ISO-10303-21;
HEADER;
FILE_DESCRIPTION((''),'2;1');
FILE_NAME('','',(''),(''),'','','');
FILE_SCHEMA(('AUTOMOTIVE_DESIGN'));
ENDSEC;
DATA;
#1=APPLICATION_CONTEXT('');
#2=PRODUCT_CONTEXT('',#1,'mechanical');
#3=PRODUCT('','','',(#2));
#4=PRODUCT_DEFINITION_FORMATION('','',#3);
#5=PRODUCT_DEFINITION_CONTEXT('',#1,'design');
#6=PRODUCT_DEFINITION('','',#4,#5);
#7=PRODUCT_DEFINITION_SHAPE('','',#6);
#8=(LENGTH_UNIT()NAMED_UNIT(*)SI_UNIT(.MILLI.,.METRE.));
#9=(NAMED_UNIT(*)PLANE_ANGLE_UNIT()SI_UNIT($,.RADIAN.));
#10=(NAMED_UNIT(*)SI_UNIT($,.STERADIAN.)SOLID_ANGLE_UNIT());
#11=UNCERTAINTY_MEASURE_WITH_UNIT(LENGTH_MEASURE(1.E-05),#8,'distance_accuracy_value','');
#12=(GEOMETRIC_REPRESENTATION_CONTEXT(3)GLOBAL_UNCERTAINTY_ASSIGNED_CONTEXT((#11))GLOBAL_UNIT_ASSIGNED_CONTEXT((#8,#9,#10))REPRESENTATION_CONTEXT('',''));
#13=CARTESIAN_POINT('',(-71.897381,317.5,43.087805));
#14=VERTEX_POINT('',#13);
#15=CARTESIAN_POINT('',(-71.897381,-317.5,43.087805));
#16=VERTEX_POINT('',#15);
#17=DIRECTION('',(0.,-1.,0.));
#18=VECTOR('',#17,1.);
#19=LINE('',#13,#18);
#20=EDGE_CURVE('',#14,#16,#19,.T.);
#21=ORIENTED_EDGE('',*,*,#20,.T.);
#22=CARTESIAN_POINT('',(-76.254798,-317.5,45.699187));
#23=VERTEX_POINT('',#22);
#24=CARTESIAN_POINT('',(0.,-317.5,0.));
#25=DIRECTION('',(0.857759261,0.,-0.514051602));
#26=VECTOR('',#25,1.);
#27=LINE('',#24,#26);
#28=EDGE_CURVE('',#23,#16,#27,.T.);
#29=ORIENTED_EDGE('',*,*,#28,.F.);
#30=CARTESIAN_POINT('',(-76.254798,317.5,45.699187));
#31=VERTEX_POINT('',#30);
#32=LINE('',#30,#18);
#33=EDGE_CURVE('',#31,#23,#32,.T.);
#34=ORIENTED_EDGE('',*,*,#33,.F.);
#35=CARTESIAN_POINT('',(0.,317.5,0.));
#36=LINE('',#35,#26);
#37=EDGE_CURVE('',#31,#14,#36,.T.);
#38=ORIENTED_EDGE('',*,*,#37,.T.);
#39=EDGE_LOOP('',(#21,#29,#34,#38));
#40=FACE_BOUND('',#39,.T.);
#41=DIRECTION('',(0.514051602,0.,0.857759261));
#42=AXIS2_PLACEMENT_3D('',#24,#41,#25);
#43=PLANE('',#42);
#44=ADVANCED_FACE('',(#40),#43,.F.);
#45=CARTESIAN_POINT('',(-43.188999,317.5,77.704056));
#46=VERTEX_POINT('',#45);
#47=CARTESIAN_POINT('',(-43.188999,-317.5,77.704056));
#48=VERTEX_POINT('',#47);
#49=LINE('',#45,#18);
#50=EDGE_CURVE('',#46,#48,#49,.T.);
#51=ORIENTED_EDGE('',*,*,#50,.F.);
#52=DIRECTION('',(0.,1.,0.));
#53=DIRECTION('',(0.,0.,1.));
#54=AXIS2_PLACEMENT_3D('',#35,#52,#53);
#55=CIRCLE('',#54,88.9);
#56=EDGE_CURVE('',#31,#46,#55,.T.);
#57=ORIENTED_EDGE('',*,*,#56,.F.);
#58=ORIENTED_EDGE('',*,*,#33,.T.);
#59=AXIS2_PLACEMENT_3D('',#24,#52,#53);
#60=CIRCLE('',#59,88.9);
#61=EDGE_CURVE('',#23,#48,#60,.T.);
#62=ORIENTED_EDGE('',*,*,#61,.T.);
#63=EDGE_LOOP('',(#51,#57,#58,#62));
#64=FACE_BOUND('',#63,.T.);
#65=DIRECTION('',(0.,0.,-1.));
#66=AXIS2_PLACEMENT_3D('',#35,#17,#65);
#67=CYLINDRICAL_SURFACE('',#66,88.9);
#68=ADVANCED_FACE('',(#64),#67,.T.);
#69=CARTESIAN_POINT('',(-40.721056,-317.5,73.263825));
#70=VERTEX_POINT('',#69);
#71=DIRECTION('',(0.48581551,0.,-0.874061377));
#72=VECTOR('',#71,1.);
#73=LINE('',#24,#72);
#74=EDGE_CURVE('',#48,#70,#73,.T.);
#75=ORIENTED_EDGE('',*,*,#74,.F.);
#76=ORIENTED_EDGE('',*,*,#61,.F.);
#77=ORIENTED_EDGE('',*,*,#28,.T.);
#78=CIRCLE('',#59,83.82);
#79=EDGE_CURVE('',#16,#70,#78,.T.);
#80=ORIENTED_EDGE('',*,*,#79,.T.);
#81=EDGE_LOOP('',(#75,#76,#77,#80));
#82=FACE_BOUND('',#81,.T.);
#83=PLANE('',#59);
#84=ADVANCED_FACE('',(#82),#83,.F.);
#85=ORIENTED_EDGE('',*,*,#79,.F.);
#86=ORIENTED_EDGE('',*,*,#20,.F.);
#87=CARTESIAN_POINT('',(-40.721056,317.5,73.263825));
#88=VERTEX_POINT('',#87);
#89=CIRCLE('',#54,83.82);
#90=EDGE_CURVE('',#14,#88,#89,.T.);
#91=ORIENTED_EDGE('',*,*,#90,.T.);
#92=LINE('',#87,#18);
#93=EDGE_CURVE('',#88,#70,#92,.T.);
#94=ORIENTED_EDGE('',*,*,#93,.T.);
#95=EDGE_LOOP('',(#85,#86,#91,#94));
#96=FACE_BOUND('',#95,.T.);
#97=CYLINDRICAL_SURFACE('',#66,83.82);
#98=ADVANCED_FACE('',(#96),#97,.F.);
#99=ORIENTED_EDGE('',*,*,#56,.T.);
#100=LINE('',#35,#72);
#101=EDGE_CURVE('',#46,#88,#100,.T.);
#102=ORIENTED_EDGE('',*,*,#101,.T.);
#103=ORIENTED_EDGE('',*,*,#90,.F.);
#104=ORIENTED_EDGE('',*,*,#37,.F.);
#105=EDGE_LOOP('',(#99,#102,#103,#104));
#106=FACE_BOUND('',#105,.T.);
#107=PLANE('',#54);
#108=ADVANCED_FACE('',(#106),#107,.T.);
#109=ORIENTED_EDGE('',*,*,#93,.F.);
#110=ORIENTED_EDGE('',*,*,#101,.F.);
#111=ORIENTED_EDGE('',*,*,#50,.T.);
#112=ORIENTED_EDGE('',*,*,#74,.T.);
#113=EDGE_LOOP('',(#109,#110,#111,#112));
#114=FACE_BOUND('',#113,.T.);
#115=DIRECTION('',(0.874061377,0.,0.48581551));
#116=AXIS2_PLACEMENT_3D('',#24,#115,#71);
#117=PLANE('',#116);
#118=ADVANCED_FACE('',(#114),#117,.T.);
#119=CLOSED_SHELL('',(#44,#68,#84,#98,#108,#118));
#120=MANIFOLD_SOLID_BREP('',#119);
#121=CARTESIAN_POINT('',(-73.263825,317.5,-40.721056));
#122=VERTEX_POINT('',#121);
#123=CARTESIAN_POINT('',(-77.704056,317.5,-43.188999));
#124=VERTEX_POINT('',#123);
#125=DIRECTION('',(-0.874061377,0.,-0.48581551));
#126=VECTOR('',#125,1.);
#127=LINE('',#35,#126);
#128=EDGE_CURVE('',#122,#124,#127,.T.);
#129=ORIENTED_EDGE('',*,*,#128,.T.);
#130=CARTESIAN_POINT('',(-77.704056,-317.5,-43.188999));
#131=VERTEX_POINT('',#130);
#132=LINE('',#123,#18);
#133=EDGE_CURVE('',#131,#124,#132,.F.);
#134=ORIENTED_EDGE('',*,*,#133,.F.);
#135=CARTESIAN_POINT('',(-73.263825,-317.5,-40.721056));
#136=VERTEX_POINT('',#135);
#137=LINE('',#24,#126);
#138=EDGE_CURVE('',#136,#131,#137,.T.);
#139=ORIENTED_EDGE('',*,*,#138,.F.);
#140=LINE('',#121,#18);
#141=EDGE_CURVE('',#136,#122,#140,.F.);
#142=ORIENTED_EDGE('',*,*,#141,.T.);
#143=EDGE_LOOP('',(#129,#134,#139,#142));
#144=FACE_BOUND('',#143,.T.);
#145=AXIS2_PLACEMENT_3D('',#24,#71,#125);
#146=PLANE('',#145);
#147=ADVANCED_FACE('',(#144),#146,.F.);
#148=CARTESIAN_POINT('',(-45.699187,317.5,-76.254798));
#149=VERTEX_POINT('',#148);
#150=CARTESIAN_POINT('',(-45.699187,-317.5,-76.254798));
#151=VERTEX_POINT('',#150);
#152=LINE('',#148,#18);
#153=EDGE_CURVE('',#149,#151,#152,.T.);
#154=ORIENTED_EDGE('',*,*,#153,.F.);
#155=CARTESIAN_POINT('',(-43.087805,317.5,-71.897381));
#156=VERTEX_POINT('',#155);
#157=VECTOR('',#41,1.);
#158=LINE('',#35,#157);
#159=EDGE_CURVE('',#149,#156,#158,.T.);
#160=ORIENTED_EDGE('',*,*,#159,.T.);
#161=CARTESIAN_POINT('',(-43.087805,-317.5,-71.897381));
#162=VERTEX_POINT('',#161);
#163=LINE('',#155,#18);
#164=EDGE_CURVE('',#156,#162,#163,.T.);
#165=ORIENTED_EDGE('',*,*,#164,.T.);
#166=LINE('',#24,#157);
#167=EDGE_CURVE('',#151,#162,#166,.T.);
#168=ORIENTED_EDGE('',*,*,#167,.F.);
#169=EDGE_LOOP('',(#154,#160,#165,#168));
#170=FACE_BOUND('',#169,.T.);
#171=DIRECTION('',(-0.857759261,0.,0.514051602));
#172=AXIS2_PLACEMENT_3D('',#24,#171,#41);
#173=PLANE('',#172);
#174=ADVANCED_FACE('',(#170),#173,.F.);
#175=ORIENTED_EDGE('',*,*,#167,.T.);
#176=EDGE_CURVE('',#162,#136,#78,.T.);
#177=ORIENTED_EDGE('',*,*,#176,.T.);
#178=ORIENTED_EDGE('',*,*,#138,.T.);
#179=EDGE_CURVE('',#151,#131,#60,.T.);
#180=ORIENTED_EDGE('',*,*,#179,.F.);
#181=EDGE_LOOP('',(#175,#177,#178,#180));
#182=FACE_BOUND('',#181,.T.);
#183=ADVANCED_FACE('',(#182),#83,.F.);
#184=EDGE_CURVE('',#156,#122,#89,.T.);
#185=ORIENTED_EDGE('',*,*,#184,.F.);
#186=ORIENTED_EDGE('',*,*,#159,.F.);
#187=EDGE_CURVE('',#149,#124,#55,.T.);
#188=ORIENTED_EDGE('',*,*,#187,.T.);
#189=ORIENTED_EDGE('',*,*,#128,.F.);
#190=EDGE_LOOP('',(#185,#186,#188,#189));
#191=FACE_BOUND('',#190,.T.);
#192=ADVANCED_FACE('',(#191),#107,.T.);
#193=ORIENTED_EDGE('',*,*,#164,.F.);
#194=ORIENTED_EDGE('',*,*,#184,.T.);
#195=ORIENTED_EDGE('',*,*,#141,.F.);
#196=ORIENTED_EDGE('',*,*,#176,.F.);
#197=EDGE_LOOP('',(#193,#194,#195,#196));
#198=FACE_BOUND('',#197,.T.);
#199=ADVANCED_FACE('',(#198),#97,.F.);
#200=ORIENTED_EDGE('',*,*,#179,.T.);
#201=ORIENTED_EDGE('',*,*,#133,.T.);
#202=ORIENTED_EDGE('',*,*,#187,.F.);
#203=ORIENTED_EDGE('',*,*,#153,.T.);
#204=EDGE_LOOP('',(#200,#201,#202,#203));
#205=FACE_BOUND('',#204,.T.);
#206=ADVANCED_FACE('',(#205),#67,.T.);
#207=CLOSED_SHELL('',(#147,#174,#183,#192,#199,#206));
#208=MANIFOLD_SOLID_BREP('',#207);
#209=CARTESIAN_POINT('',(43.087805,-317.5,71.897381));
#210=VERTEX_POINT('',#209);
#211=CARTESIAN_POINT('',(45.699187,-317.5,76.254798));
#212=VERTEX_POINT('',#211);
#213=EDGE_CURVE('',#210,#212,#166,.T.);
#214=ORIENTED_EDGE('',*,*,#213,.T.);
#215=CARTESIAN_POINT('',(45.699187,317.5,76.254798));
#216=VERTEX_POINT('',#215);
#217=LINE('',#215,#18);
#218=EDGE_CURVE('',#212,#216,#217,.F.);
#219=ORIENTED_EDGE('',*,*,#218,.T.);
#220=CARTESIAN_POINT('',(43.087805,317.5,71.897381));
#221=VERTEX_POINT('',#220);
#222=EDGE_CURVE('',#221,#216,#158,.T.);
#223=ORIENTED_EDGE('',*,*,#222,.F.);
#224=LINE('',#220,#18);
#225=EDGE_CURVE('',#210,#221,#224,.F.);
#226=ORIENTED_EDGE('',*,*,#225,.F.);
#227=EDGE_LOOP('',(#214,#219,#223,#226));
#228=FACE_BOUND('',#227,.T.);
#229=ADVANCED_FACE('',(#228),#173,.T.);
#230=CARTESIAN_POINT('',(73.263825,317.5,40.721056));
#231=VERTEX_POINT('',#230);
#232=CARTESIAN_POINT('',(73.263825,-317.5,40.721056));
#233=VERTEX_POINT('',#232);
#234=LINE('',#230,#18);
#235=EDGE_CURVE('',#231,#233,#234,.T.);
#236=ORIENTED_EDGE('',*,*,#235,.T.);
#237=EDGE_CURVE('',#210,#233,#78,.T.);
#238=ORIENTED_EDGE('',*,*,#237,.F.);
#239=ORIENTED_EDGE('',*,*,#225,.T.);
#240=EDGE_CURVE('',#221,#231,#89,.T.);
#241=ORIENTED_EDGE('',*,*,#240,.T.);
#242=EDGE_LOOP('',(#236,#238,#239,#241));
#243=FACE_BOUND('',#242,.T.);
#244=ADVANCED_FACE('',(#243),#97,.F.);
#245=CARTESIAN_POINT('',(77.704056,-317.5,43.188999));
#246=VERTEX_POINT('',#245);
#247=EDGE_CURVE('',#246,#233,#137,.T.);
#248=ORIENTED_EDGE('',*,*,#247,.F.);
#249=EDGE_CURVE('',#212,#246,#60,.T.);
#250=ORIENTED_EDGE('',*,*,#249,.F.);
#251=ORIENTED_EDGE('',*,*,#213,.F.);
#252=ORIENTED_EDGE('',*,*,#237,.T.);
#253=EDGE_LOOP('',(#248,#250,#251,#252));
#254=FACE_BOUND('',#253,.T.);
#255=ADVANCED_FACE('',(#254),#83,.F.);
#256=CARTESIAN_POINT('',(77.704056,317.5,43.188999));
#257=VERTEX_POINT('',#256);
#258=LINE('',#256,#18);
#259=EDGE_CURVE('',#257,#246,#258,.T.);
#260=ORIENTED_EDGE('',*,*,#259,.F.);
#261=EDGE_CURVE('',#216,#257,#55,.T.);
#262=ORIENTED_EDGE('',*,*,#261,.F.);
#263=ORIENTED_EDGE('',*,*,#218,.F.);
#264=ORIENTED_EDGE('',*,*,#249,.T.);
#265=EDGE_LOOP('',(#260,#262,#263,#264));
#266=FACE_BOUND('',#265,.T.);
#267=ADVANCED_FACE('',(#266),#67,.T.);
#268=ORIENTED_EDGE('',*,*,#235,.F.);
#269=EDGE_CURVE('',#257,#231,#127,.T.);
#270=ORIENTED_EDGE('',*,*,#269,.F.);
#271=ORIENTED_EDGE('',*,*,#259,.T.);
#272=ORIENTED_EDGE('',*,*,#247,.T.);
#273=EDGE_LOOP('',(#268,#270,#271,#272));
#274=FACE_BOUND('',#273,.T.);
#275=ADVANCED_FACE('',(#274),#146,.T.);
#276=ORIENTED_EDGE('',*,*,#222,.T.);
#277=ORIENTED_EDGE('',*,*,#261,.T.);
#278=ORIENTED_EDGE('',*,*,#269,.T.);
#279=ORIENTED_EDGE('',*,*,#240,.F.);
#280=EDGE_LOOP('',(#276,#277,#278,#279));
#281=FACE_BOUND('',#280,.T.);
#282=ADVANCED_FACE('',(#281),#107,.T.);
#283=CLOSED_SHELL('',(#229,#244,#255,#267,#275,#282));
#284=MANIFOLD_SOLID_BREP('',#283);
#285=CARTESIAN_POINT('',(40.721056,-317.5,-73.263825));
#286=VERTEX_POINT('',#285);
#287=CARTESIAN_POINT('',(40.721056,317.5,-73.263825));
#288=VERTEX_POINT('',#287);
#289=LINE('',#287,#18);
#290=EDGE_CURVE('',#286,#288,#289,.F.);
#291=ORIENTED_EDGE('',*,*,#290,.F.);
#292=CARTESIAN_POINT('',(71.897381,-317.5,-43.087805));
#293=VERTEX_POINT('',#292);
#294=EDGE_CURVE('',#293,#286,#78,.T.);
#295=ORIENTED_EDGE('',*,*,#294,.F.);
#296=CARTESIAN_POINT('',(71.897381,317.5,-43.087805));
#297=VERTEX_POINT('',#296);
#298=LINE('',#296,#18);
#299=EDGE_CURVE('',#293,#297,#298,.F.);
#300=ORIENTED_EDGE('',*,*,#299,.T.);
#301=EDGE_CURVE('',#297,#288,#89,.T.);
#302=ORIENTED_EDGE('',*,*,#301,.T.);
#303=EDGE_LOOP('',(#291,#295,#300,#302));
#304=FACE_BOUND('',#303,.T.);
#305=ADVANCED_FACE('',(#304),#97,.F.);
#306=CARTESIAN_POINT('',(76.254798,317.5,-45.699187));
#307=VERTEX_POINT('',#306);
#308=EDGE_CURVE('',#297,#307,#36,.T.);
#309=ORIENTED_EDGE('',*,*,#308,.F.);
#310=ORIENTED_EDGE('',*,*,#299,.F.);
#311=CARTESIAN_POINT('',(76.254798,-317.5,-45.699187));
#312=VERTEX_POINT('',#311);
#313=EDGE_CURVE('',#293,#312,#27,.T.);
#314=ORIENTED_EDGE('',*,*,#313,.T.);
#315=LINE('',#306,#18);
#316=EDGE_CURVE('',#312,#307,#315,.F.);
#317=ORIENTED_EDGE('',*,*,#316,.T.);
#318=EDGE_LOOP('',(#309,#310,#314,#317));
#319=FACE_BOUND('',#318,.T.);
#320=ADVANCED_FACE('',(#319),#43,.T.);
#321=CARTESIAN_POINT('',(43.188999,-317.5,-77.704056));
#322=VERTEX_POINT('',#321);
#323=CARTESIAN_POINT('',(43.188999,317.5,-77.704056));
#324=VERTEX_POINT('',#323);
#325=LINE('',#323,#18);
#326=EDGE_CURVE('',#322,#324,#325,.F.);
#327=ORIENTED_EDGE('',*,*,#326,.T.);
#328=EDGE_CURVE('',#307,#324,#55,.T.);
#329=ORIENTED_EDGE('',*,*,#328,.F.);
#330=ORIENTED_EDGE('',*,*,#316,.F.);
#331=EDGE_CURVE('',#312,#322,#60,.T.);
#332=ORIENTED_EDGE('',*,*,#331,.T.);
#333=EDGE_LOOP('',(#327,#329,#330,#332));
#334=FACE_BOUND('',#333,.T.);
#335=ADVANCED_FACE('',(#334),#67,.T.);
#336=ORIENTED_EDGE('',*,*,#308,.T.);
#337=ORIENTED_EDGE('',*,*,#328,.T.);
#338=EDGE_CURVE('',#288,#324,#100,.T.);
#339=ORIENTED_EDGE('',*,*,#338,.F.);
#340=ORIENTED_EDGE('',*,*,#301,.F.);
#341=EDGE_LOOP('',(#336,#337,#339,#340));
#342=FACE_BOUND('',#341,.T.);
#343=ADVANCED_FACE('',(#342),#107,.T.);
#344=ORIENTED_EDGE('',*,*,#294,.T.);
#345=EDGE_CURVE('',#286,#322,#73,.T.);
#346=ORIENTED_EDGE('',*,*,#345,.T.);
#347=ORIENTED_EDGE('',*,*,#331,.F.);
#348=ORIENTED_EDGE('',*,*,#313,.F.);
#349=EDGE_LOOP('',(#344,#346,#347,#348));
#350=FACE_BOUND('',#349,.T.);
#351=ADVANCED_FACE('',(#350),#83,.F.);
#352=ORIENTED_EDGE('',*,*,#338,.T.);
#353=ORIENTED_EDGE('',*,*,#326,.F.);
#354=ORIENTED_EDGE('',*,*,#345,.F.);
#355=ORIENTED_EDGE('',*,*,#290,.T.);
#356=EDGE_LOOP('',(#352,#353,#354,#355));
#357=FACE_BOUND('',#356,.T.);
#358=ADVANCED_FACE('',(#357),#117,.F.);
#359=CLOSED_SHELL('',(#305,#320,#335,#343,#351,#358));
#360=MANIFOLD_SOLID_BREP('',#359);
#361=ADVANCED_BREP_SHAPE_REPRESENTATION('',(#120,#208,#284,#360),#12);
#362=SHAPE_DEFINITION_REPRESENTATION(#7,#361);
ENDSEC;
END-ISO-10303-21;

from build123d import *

# Parameters (mm, degrees)
SKETCH2_R               = 88.9
SKETCH2_R_2             = 83.82
BOSS_EXTRUDE1_DEPTH     = 317.5
CUT_EXTRUDE1_DEPTH      = 318.5
CUT_EXTRUDE1_DEPTH_BACK = 318.5


with BuildPart() as part:
    # Sketch2 → Boss-Extrude1 (new body, symmetric)
    with BuildSketch(Plane(origin=(0, 0, 0), x_dir=(1, 0, 0), z_dir=(0, 1, 0))):
        Circle(SKETCH2_R)
        Circle(SKETCH2_R_2, mode=Mode.SUBTRACT)
    extrude(amount=BOSS_EXTRUDE1_DEPTH, both=True)

    # Sketch3 → Cut-Extrude1 (cut, two sides)
    with BuildSketch(Plane(origin=(0, 0, 0), x_dir=(1, 0, 0), z_dir=(0, 1, 0))) as cut_extrude1_sk:
        Polygon((169.661755759, -94.300371224), (0, 0), (169.661755759, 101.677593364), align=None)
        Polygon((0, 0), (53.900027233, 96.974944394), (-58.116685864, 96.974944394), align=None)
        Polygon((-123.741299607, 68.777140945), (-123.741299607, -74.157652604), (0, 0), align=None)
        Polygon((-65.840936026, -118.45858783), (0, 0), (70.991745134, -118.45858783), align=None)
    extrude(amount=CUT_EXTRUDE1_DEPTH, mode=Mode.SUBTRACT)
    extrude(cut_extrude1_sk.sketch, amount=-CUT_EXTRUDE1_DEPTH_BACK, mode=Mode.SUBTRACT)


solid = part.part
